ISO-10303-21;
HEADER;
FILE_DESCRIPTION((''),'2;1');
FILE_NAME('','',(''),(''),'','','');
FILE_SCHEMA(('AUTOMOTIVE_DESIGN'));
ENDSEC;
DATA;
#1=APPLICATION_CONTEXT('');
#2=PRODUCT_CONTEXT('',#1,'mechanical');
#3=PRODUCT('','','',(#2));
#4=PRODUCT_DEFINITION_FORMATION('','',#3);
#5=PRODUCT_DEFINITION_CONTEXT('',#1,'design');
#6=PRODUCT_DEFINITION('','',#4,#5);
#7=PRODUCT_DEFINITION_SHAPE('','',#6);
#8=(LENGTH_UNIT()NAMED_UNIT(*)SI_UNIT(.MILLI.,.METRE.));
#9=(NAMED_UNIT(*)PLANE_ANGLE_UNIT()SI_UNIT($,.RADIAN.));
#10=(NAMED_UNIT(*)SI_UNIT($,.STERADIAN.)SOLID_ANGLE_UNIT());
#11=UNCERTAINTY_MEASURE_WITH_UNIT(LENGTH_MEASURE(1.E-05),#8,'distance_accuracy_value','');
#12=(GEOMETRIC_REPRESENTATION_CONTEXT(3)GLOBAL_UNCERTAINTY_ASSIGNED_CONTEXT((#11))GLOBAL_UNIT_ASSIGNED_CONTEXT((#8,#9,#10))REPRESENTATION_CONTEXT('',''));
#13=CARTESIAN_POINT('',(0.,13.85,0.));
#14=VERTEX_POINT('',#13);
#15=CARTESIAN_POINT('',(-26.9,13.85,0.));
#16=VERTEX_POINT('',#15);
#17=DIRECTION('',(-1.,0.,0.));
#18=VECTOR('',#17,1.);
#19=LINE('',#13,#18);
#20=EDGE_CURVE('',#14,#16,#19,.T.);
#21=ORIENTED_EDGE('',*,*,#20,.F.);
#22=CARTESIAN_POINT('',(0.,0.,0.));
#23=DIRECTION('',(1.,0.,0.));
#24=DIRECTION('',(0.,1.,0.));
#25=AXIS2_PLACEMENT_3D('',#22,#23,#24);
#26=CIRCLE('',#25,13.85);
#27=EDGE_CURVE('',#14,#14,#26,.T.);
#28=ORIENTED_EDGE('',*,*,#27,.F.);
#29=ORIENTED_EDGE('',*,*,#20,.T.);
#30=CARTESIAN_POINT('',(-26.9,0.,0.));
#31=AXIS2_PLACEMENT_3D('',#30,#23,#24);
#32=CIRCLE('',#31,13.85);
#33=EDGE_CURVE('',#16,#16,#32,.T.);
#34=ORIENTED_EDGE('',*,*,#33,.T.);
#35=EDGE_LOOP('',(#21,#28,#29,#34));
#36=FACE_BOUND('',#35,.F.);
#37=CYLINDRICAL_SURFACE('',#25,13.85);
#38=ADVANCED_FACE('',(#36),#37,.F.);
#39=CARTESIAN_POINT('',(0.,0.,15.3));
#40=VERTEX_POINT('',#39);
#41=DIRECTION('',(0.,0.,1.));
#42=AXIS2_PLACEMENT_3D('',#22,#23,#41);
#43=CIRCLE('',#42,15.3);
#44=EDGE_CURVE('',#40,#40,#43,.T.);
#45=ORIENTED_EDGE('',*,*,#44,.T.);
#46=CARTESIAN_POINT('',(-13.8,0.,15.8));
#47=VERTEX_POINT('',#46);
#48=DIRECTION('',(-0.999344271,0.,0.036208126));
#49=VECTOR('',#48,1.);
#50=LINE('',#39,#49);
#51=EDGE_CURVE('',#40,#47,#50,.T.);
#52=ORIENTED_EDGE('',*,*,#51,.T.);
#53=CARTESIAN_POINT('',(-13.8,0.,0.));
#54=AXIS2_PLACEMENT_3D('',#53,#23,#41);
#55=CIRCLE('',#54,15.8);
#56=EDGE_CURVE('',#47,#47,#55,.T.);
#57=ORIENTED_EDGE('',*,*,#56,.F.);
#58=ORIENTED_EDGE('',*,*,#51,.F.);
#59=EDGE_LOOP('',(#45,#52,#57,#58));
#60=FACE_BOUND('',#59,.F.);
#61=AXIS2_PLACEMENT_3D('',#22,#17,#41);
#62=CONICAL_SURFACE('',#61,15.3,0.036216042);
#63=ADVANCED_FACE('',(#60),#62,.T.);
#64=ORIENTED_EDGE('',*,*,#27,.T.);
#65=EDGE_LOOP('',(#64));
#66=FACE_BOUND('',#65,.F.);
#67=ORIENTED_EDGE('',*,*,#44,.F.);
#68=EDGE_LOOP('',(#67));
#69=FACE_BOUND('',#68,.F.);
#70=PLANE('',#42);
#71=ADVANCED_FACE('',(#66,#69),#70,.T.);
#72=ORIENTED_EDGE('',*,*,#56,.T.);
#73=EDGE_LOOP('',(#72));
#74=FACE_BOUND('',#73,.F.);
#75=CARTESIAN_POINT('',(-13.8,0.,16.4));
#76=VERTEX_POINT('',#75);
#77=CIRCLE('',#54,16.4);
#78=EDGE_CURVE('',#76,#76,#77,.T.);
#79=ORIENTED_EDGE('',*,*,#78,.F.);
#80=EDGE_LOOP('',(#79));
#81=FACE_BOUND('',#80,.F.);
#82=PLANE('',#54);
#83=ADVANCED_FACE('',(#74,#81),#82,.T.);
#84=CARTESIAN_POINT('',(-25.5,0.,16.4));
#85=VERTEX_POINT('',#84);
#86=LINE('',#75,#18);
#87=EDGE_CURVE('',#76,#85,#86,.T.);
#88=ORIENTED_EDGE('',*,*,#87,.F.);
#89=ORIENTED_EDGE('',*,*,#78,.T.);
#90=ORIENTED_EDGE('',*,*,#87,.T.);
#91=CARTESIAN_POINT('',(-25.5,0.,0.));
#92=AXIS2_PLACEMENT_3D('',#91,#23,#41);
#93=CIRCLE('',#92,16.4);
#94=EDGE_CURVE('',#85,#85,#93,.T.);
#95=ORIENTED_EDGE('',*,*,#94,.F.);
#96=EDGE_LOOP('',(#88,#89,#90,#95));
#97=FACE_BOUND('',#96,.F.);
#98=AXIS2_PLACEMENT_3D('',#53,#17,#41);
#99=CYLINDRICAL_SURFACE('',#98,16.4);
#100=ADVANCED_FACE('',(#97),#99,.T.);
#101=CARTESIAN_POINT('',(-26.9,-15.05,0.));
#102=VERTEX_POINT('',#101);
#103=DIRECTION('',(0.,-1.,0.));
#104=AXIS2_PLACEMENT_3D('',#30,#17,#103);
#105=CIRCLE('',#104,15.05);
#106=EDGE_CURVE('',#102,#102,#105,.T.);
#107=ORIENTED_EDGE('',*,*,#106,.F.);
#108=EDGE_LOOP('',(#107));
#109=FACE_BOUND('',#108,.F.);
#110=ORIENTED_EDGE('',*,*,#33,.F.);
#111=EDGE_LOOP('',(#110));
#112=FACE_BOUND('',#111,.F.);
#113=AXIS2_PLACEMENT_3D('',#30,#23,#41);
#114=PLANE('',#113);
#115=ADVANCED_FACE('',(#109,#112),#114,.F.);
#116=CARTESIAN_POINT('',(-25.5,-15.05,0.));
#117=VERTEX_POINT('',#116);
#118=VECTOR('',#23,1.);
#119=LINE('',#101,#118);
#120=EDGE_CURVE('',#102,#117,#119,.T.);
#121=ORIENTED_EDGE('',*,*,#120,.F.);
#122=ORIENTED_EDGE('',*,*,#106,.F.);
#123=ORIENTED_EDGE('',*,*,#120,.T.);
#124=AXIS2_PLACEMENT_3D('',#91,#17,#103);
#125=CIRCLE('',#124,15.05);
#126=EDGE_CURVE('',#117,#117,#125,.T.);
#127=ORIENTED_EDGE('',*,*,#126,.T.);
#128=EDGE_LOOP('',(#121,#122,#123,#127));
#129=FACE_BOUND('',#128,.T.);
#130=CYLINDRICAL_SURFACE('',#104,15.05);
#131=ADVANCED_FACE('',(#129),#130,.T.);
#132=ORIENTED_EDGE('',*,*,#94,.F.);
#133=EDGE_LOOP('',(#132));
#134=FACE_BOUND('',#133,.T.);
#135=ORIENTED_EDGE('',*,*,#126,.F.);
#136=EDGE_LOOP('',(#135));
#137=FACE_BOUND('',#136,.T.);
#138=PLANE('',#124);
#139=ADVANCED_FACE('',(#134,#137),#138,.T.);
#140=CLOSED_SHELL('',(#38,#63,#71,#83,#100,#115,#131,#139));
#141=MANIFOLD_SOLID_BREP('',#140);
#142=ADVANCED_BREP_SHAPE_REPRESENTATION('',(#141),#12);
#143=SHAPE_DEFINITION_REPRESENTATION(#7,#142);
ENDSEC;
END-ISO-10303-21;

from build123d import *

# Parameters (mm, degrees)
F2_R     = 13.85
F3_DEPTH = 26.901
F4_R     = 16.4
F4_R_2   = 15.05
F5_DEPTH = 1.4


with BuildPart() as f1:
    # F0 (on Front) → F1 (revolve)
    with BuildSketch(Plane.XZ):
        Polygon((-13.8, 16.4), (-26.9, 16.4), (-26.9, 0), (-13.8, 0), (-13.8, 15.8), align=None)
        Polygon((0, 15.3), (-13.8, 15.8), (-13.8, 0), (0, 0), align=None)
    revolve(axis=Axis((-20.35, 0, 0), (1, 0, 0)))

    # F2 (on face) → F3 (cut, through all)
    with BuildSketch(Plane.YZ):
        Circle(F2_R)
    extrude(amount=-F3_DEPTH, mode=Mode.SUBTRACT)

    # F4 (on face) → F5 (cut)
    with BuildSketch(Plane(origin=(-26.9, 0, 0), x_dir=(0, -1, 0), z_dir=(-1, 0, 0))):
        Circle(F4_R)
        Circle(F4_R_2, mode=Mode.SUBTRACT)
    extrude(amount=-F5_DEPTH, mode=Mode.SUBTRACT)


solid = f1.part
